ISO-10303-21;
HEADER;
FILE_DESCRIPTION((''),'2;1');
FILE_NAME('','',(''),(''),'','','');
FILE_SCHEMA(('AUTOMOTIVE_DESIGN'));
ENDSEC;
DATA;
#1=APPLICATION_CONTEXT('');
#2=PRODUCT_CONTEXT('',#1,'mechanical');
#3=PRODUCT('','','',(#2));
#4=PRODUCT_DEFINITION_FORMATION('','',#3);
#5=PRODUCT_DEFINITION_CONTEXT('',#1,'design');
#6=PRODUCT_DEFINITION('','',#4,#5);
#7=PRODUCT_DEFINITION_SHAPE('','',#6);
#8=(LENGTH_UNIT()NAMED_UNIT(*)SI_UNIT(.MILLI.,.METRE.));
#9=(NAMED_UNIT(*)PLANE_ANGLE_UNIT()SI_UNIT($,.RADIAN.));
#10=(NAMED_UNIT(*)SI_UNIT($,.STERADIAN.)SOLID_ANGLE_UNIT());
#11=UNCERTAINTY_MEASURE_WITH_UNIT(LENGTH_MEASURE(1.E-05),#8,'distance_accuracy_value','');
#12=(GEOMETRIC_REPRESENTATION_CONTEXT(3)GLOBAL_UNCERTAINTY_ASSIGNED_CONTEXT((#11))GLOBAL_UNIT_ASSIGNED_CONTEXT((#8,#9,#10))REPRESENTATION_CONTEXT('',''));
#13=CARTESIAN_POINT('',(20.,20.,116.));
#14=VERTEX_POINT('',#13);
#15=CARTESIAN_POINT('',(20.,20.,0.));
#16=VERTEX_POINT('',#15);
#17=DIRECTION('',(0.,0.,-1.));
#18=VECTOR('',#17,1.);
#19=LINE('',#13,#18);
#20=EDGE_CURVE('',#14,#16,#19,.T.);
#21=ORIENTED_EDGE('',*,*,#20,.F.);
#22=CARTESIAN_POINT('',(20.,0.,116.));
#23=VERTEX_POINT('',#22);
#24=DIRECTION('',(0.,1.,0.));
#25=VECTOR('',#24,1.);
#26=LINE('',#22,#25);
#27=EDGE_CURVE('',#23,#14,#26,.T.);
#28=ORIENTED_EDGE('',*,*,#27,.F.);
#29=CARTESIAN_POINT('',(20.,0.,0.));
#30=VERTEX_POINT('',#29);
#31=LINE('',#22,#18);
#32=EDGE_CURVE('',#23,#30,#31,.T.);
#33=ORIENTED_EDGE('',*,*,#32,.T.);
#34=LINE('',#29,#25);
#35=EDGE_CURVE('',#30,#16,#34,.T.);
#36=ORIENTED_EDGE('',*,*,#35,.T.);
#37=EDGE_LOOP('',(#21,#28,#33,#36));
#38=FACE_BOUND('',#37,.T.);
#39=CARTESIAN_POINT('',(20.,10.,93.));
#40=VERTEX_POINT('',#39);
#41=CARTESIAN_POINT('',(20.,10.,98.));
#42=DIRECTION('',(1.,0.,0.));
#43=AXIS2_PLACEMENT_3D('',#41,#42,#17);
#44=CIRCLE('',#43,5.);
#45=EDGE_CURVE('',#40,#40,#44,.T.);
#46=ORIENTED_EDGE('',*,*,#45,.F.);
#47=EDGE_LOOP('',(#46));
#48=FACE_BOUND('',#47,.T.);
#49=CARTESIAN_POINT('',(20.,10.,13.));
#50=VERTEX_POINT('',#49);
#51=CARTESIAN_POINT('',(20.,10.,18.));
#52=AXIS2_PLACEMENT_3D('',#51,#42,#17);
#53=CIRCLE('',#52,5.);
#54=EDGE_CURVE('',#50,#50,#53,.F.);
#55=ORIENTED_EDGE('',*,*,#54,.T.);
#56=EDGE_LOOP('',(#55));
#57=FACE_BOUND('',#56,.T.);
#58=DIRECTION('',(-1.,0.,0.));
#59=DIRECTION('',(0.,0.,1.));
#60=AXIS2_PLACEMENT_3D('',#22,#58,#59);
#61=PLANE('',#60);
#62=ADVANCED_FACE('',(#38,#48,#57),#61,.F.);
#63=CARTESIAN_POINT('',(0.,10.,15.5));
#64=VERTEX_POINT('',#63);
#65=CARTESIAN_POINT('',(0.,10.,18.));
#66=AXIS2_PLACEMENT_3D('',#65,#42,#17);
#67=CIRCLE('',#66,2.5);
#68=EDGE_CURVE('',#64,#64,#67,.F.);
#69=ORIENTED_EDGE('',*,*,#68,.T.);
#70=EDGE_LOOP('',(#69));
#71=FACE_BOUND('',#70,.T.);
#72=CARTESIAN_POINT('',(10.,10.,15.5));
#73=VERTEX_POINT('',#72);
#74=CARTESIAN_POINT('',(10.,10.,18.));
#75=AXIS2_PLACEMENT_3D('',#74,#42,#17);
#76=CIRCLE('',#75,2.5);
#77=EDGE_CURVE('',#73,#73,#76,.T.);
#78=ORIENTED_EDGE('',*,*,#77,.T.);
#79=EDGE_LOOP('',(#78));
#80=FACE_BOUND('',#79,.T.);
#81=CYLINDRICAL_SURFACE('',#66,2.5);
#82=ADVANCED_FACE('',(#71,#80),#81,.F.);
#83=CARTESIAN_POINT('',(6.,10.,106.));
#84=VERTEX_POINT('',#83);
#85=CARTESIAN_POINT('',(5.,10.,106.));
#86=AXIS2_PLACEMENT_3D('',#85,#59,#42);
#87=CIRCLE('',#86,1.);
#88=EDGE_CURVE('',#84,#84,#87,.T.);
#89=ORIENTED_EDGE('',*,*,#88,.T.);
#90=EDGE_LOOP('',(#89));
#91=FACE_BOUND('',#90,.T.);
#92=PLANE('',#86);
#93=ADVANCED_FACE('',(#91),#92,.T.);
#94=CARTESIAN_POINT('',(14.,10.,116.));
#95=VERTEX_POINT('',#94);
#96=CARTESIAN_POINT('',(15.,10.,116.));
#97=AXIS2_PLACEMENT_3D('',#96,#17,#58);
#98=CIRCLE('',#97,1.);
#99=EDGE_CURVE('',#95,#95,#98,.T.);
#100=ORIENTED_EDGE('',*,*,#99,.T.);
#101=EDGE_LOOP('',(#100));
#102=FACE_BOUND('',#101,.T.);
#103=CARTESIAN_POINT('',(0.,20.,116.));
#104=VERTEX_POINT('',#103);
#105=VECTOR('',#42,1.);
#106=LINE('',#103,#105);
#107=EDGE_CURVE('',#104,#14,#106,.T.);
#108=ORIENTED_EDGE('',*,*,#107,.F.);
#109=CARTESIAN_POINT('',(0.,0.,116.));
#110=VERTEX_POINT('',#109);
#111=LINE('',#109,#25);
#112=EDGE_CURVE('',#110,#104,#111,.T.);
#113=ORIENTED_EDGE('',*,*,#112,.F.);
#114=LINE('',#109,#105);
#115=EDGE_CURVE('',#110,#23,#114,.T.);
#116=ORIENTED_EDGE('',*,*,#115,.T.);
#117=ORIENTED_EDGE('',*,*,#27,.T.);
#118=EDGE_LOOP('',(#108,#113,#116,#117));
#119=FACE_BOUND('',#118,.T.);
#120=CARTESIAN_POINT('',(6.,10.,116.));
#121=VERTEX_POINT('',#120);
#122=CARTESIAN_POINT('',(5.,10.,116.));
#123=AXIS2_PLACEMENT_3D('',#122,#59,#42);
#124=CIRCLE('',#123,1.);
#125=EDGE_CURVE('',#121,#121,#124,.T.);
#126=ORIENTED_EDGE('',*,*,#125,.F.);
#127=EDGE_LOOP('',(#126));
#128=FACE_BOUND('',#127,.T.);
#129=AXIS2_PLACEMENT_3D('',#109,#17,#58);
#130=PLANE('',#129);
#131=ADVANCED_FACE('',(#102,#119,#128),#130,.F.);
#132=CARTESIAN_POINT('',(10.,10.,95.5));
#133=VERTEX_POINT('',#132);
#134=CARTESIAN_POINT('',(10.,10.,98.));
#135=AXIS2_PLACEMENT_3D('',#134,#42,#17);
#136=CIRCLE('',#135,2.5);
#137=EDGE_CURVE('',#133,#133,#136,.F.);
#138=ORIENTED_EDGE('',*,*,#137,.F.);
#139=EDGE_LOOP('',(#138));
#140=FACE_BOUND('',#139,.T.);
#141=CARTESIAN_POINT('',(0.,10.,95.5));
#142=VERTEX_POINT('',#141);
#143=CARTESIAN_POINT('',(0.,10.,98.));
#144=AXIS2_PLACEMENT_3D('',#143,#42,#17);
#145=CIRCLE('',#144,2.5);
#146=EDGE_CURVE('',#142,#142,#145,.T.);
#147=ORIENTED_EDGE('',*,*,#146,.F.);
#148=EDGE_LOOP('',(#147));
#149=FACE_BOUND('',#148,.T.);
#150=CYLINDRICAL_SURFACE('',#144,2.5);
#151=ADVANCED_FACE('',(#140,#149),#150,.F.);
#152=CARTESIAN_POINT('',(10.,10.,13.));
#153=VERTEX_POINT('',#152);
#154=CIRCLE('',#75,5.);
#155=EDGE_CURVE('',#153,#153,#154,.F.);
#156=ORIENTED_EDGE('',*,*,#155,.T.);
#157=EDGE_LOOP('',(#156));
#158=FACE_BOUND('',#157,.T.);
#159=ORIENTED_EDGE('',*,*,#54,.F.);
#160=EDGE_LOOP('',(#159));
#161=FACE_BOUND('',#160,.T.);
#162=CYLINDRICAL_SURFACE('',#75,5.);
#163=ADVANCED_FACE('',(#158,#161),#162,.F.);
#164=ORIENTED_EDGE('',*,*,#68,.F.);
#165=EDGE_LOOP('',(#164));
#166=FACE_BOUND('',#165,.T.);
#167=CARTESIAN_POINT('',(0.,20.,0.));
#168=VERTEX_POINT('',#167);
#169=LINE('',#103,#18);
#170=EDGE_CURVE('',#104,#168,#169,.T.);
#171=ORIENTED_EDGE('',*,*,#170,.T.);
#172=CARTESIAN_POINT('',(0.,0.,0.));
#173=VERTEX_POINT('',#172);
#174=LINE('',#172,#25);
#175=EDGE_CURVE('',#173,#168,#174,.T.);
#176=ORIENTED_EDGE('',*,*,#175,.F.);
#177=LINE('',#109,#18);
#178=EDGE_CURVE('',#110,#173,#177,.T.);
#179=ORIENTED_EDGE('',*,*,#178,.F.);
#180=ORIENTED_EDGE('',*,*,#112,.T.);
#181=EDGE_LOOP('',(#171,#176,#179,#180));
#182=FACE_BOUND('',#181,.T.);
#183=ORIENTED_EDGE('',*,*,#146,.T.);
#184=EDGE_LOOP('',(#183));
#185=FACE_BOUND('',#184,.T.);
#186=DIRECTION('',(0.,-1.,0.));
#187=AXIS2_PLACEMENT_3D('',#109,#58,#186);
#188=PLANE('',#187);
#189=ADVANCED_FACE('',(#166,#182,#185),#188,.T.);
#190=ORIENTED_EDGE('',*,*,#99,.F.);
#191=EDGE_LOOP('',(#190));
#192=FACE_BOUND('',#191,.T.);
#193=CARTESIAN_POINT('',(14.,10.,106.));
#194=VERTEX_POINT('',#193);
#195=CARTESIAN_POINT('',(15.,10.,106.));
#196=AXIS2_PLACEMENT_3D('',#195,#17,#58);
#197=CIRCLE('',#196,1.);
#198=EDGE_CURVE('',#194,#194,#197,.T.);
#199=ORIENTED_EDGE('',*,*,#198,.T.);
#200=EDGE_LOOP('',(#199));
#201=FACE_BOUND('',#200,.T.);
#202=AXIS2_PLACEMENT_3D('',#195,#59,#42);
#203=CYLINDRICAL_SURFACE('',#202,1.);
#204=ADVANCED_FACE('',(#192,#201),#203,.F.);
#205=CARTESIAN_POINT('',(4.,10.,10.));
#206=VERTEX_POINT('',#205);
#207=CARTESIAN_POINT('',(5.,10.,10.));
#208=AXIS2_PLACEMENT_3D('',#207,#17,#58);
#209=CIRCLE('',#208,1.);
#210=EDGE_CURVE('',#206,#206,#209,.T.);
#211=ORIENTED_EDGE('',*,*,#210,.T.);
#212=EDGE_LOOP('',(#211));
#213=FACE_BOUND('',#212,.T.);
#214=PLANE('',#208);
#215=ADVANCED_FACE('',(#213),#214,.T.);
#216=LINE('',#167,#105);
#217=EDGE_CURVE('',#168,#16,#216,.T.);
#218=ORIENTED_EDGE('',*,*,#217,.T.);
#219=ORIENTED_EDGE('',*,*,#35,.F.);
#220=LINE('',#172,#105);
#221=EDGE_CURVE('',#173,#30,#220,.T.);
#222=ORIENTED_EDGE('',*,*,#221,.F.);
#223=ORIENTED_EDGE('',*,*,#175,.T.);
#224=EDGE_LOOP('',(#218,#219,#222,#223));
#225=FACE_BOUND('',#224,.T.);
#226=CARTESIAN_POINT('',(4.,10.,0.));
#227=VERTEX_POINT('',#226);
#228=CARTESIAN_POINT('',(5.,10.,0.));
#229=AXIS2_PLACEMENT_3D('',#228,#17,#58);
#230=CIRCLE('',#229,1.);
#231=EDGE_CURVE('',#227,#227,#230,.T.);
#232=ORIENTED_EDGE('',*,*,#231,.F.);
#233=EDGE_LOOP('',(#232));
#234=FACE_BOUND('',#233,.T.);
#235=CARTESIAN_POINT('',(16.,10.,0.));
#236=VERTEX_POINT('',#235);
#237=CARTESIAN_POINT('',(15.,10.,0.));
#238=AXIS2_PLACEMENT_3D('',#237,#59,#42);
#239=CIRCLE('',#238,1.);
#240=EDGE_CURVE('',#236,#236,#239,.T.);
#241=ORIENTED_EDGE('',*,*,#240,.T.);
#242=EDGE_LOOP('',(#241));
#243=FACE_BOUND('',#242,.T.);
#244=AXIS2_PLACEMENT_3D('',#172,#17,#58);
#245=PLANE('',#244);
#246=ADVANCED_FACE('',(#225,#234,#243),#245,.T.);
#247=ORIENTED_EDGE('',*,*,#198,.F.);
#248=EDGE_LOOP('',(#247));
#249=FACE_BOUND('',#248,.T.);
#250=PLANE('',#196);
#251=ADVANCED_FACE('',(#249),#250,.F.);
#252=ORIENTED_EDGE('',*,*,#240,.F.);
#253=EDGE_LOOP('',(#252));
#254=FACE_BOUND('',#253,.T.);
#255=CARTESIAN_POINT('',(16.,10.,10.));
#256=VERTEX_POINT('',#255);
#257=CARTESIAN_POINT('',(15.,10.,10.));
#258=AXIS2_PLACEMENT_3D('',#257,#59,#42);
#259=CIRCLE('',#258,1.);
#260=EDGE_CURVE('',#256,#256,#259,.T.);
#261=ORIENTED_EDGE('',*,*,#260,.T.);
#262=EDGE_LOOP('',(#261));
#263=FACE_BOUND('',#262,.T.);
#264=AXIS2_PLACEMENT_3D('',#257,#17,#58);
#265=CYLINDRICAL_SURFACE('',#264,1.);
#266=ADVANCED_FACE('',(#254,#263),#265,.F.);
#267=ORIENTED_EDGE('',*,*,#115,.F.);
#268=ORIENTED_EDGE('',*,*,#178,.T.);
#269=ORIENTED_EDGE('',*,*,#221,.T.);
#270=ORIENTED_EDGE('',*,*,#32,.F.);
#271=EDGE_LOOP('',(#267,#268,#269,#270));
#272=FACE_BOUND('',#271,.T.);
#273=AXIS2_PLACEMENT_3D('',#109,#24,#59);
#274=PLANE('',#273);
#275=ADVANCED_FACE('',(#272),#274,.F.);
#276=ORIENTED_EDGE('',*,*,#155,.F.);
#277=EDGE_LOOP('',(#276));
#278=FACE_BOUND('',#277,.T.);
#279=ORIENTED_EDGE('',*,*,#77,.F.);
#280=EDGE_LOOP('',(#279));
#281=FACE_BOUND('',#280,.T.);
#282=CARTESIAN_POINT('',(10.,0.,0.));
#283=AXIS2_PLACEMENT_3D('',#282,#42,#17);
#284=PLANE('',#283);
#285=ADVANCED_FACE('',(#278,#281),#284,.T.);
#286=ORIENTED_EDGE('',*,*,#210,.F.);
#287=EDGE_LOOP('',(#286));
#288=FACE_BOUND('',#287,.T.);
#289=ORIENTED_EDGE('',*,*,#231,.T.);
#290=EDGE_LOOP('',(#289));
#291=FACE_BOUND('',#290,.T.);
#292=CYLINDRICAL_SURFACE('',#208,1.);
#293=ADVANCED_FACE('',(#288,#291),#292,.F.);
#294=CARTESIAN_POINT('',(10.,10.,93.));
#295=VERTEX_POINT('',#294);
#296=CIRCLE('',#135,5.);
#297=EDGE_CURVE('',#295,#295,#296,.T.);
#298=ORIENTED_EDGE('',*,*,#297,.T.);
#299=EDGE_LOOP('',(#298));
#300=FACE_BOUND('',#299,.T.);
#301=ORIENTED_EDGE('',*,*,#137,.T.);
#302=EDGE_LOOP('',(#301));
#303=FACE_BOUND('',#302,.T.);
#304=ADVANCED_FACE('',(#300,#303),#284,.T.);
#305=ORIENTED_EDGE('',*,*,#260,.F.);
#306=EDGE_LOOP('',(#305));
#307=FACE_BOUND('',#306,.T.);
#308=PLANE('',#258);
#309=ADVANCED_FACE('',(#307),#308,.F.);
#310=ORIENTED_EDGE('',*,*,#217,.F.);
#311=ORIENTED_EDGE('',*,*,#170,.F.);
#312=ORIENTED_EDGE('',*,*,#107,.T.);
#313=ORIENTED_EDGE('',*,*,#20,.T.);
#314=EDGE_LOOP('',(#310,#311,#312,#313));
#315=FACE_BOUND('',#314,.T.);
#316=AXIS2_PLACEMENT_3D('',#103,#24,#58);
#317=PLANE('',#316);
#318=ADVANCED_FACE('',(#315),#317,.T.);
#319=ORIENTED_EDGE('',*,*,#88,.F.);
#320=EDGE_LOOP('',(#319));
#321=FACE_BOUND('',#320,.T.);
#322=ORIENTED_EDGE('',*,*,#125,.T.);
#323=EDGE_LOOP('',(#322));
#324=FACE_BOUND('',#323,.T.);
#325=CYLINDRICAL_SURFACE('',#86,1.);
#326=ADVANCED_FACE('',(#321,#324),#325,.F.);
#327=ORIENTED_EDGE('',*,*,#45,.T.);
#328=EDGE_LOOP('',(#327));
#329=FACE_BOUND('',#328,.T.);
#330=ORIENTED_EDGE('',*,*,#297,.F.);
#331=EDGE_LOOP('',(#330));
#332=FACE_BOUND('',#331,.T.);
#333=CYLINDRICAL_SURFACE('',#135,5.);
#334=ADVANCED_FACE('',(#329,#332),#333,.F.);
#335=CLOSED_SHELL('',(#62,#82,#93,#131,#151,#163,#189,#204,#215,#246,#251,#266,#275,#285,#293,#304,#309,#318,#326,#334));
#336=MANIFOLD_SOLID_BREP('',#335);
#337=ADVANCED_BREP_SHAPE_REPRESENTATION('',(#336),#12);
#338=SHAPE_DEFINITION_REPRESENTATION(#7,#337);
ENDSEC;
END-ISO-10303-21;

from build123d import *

# Parameters (mm, degrees)
SKETCH1_W           = 20
SKETCH1_H           = 20
BOSS_EXTRUDE1_DEPTH = 116
SKETCH1_5_R         = 1
CUT_EXTRUDE1_DEPTH  = 10
CUT_EXTRUDE2_START  = -10
SKETCH4_R           = 1
CUT_EXTRUDE2_DEPTH  = 10
SKETCH5_R           = 2.5
CUT_EXTRUDE3_DEPTH  = 120.398492453
SKETCH6_R           = 5
CUT_EXTRUDE4_DEPTH  = 10


with BuildPart() as part:
    # Sketch1 → Boss-Extrude1 (new body)
    with BuildSketch(Plane.XY):
        with Locations((10, 10)):
            Rectangle(SKETCH1_W, SKETCH1_H)
    extrude(amount=BOSS_EXTRUDE1_DEPTH)

    # Sketch1<5> → Cut-Extrude1 (cut)
    with BuildSketch(Plane.XY):
        with Locations((15, 10)):
            Circle(SKETCH1_5_R)
        with Locations((5, 10)):
            Circle(SKETCH1_5_R)
    extrude(amount=CUT_EXTRUDE1_DEPTH, mode=Mode.SUBTRACT)

    # Sketch4 → Cut-Extrude2 (cut)
    with BuildSketch(Plane.XY.offset(116).offset(CUT_EXTRUDE2_START)):
        with Locations((5, 10)):
            Circle(SKETCH4_R)
        with Locations((15, 10)):
            Circle(SKETCH4_R)
    extrude(amount=CUT_EXTRUDE2_DEPTH, mode=Mode.SUBTRACT)

    # Sketch5 → Cut-Extrude3 (cut, through all)
    with BuildSketch(Plane(origin=(20, 0, 0), x_dir=(0, 0, -1), z_dir=(1, 0, 0))):
        with Locations((-98, 10)):
            Circle(SKETCH5_R)
        with Locations((-18, 10)):
            Circle(SKETCH5_R)
    extrude(amount=-CUT_EXTRUDE3_DEPTH, mode=Mode.SUBTRACT)

    # Sketch6 → Cut-Extrude4 (cut)
    with BuildSketch(Plane(origin=(20, 0, 0), x_dir=(0, 0, -1), z_dir=(1, 0, 0))):
        with Locations((-98, 10)):
            Circle(SKETCH6_R)
        with Locations((-18, 10)):
            Circle(SKETCH6_R)
    extrude(amount=-CUT_EXTRUDE4_DEPTH, mode=Mode.SUBTRACT)


solid = part.part
